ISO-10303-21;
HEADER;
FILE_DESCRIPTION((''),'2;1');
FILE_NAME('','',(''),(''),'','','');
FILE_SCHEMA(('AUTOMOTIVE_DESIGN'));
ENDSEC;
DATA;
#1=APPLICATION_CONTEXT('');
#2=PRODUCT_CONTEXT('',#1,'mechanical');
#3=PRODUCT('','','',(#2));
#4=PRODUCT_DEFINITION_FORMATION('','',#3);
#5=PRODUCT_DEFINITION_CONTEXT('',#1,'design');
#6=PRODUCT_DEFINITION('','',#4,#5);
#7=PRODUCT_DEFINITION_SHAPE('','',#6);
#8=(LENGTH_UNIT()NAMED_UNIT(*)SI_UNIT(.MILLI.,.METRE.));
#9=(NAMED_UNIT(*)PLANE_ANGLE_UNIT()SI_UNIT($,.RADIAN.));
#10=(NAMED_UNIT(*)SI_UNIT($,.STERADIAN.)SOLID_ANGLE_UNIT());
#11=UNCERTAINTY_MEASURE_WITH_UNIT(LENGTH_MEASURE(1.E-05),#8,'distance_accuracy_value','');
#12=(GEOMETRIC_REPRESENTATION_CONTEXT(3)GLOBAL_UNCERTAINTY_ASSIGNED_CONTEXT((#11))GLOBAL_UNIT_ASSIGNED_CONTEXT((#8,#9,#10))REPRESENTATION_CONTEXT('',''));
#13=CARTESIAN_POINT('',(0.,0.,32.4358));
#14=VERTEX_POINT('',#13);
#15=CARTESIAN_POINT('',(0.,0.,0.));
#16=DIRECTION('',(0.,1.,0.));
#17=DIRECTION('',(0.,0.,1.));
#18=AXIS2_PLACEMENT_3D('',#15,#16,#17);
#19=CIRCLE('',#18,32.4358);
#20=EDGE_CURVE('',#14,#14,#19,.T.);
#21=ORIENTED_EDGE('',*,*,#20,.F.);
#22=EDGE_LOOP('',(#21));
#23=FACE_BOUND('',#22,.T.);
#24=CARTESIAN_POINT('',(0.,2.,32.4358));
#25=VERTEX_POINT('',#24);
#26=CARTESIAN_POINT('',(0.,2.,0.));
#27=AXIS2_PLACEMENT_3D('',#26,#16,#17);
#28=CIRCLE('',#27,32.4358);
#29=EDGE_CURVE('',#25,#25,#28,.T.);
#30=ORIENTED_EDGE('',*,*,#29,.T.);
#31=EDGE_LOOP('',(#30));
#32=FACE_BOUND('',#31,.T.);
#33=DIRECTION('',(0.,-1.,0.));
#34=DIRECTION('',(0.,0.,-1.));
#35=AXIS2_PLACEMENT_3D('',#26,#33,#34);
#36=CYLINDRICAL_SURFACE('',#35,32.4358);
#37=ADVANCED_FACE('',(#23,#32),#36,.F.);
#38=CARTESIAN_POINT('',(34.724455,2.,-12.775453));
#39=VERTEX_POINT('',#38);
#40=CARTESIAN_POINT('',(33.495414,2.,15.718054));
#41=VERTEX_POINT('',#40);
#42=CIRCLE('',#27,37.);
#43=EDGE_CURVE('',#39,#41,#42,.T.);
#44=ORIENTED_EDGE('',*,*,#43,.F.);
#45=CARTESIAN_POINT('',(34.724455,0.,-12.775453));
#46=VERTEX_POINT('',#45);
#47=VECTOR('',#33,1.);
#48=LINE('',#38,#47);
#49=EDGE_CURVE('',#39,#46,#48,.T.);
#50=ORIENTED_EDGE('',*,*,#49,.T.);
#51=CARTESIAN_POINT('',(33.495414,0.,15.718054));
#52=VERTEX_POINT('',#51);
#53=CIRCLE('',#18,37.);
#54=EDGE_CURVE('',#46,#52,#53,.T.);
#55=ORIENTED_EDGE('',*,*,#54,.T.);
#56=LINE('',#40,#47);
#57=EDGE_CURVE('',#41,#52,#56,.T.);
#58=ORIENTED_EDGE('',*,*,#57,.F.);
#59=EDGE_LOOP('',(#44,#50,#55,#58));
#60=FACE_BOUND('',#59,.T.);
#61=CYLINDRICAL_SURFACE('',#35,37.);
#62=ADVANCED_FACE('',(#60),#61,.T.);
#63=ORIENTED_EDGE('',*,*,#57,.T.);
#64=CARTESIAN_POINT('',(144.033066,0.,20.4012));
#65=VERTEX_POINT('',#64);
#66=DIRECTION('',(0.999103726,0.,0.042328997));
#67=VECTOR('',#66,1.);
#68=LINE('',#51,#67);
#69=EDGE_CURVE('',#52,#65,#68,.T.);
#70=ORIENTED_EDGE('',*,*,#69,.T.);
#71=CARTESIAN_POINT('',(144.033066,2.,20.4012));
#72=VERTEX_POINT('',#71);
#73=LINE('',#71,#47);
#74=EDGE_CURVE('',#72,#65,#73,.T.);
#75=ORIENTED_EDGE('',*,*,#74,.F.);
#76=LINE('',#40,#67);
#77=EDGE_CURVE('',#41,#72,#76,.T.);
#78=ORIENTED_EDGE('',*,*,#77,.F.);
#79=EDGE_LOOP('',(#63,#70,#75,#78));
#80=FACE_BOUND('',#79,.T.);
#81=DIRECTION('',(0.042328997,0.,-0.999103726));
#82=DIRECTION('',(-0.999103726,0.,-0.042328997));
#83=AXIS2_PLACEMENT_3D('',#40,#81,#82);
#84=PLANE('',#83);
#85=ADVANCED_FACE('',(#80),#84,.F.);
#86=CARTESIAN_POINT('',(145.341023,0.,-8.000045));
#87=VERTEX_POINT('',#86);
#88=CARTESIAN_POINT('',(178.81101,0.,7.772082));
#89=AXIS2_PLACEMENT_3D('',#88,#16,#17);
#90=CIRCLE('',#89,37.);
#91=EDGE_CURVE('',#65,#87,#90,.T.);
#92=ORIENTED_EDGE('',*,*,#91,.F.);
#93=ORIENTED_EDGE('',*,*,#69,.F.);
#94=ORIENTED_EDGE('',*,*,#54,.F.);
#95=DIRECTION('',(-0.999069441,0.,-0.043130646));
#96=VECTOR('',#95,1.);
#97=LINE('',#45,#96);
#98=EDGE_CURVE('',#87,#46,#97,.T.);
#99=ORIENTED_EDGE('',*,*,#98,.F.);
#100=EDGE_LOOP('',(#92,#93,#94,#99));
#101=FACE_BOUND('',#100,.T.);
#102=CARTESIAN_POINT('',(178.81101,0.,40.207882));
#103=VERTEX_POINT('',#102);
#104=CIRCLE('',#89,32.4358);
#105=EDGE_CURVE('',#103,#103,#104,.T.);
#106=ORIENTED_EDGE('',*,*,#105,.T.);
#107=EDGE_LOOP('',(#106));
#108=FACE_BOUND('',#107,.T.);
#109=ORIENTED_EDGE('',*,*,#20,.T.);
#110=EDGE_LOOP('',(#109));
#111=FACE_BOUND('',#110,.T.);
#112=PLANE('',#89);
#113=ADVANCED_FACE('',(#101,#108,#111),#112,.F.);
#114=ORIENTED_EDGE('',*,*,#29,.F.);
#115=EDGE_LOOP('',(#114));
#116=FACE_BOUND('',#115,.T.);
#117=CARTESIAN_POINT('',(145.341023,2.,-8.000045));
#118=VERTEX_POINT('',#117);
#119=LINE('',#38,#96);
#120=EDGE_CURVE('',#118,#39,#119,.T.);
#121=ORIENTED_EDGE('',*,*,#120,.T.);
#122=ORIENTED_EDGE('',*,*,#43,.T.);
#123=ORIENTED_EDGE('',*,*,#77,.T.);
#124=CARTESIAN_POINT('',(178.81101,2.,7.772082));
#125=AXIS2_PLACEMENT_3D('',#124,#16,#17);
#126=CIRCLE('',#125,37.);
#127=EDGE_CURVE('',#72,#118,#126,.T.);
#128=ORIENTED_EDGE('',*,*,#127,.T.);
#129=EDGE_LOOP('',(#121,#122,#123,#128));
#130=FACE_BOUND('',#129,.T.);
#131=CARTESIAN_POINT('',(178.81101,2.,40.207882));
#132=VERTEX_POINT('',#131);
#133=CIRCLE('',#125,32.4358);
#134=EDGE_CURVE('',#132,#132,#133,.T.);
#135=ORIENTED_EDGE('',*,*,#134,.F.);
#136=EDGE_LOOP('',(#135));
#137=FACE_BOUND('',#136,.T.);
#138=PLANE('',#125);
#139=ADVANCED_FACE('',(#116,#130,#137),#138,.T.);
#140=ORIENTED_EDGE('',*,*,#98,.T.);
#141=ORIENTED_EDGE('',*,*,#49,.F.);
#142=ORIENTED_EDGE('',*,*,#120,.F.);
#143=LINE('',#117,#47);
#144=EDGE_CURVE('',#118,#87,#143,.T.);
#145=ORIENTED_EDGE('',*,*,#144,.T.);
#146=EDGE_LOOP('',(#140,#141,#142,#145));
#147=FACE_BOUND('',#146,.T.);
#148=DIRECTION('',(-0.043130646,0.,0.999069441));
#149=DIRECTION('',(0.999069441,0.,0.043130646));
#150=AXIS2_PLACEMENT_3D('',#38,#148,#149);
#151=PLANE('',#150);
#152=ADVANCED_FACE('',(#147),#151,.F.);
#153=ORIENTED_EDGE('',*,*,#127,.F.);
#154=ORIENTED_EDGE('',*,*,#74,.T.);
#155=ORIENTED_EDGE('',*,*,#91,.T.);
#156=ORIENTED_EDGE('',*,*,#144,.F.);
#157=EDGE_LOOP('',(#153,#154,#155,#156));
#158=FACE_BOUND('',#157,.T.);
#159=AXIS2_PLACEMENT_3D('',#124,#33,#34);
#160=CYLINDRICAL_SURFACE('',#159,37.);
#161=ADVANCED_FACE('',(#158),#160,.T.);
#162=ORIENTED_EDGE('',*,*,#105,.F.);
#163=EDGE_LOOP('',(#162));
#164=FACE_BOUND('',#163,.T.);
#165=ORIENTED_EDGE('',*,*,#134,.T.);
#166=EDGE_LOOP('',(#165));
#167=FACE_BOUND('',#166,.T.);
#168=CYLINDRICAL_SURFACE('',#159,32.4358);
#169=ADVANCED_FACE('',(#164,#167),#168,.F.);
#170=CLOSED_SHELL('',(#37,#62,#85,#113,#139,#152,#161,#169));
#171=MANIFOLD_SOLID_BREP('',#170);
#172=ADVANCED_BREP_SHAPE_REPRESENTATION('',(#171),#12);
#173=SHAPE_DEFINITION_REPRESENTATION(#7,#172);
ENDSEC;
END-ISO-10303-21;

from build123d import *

# Parameters (mm, degrees)
SKETCH1_R           = 32.4358
BOSS_EXTRUDE1_DEPTH = 2


with BuildPart() as part:
    # Sketch1 → Boss-Extrude1 (new body)
    with BuildSketch(Plane(origin=(0, 0, 0), x_dir=(1, 0, 0), z_dir=(0, 1, 0))):
        with BuildLine():
            Line((34.724455341, 12.775453074), (145.341023247, 8.00004525))
            ThreePointArc((145.341023247, 8.00004525), (215.771836356, -9.474231493), (144.033066178, -20.401199793))
            Line((144.033066178, -20.401199793), (33.495414057, -15.718054496))
            ThreePointArc((33.495414057, -15.718054496), (-36.965627799, 1.594478411), (34.724455341, 12.775453074))
        make_face()
        with Locations(Location((0, 0, 0), (0, 0, 270))):
            Circle(SKETCH1_R, mode=Mode.SUBTRACT)
        with Locations(Location((178.811009986, -7.772081673, 0), (0, 0, 270))):
            Circle(SKETCH1_R, mode=Mode.SUBTRACT)
    extrude(amount=BOSS_EXTRUDE1_DEPTH)


solid = part.part
